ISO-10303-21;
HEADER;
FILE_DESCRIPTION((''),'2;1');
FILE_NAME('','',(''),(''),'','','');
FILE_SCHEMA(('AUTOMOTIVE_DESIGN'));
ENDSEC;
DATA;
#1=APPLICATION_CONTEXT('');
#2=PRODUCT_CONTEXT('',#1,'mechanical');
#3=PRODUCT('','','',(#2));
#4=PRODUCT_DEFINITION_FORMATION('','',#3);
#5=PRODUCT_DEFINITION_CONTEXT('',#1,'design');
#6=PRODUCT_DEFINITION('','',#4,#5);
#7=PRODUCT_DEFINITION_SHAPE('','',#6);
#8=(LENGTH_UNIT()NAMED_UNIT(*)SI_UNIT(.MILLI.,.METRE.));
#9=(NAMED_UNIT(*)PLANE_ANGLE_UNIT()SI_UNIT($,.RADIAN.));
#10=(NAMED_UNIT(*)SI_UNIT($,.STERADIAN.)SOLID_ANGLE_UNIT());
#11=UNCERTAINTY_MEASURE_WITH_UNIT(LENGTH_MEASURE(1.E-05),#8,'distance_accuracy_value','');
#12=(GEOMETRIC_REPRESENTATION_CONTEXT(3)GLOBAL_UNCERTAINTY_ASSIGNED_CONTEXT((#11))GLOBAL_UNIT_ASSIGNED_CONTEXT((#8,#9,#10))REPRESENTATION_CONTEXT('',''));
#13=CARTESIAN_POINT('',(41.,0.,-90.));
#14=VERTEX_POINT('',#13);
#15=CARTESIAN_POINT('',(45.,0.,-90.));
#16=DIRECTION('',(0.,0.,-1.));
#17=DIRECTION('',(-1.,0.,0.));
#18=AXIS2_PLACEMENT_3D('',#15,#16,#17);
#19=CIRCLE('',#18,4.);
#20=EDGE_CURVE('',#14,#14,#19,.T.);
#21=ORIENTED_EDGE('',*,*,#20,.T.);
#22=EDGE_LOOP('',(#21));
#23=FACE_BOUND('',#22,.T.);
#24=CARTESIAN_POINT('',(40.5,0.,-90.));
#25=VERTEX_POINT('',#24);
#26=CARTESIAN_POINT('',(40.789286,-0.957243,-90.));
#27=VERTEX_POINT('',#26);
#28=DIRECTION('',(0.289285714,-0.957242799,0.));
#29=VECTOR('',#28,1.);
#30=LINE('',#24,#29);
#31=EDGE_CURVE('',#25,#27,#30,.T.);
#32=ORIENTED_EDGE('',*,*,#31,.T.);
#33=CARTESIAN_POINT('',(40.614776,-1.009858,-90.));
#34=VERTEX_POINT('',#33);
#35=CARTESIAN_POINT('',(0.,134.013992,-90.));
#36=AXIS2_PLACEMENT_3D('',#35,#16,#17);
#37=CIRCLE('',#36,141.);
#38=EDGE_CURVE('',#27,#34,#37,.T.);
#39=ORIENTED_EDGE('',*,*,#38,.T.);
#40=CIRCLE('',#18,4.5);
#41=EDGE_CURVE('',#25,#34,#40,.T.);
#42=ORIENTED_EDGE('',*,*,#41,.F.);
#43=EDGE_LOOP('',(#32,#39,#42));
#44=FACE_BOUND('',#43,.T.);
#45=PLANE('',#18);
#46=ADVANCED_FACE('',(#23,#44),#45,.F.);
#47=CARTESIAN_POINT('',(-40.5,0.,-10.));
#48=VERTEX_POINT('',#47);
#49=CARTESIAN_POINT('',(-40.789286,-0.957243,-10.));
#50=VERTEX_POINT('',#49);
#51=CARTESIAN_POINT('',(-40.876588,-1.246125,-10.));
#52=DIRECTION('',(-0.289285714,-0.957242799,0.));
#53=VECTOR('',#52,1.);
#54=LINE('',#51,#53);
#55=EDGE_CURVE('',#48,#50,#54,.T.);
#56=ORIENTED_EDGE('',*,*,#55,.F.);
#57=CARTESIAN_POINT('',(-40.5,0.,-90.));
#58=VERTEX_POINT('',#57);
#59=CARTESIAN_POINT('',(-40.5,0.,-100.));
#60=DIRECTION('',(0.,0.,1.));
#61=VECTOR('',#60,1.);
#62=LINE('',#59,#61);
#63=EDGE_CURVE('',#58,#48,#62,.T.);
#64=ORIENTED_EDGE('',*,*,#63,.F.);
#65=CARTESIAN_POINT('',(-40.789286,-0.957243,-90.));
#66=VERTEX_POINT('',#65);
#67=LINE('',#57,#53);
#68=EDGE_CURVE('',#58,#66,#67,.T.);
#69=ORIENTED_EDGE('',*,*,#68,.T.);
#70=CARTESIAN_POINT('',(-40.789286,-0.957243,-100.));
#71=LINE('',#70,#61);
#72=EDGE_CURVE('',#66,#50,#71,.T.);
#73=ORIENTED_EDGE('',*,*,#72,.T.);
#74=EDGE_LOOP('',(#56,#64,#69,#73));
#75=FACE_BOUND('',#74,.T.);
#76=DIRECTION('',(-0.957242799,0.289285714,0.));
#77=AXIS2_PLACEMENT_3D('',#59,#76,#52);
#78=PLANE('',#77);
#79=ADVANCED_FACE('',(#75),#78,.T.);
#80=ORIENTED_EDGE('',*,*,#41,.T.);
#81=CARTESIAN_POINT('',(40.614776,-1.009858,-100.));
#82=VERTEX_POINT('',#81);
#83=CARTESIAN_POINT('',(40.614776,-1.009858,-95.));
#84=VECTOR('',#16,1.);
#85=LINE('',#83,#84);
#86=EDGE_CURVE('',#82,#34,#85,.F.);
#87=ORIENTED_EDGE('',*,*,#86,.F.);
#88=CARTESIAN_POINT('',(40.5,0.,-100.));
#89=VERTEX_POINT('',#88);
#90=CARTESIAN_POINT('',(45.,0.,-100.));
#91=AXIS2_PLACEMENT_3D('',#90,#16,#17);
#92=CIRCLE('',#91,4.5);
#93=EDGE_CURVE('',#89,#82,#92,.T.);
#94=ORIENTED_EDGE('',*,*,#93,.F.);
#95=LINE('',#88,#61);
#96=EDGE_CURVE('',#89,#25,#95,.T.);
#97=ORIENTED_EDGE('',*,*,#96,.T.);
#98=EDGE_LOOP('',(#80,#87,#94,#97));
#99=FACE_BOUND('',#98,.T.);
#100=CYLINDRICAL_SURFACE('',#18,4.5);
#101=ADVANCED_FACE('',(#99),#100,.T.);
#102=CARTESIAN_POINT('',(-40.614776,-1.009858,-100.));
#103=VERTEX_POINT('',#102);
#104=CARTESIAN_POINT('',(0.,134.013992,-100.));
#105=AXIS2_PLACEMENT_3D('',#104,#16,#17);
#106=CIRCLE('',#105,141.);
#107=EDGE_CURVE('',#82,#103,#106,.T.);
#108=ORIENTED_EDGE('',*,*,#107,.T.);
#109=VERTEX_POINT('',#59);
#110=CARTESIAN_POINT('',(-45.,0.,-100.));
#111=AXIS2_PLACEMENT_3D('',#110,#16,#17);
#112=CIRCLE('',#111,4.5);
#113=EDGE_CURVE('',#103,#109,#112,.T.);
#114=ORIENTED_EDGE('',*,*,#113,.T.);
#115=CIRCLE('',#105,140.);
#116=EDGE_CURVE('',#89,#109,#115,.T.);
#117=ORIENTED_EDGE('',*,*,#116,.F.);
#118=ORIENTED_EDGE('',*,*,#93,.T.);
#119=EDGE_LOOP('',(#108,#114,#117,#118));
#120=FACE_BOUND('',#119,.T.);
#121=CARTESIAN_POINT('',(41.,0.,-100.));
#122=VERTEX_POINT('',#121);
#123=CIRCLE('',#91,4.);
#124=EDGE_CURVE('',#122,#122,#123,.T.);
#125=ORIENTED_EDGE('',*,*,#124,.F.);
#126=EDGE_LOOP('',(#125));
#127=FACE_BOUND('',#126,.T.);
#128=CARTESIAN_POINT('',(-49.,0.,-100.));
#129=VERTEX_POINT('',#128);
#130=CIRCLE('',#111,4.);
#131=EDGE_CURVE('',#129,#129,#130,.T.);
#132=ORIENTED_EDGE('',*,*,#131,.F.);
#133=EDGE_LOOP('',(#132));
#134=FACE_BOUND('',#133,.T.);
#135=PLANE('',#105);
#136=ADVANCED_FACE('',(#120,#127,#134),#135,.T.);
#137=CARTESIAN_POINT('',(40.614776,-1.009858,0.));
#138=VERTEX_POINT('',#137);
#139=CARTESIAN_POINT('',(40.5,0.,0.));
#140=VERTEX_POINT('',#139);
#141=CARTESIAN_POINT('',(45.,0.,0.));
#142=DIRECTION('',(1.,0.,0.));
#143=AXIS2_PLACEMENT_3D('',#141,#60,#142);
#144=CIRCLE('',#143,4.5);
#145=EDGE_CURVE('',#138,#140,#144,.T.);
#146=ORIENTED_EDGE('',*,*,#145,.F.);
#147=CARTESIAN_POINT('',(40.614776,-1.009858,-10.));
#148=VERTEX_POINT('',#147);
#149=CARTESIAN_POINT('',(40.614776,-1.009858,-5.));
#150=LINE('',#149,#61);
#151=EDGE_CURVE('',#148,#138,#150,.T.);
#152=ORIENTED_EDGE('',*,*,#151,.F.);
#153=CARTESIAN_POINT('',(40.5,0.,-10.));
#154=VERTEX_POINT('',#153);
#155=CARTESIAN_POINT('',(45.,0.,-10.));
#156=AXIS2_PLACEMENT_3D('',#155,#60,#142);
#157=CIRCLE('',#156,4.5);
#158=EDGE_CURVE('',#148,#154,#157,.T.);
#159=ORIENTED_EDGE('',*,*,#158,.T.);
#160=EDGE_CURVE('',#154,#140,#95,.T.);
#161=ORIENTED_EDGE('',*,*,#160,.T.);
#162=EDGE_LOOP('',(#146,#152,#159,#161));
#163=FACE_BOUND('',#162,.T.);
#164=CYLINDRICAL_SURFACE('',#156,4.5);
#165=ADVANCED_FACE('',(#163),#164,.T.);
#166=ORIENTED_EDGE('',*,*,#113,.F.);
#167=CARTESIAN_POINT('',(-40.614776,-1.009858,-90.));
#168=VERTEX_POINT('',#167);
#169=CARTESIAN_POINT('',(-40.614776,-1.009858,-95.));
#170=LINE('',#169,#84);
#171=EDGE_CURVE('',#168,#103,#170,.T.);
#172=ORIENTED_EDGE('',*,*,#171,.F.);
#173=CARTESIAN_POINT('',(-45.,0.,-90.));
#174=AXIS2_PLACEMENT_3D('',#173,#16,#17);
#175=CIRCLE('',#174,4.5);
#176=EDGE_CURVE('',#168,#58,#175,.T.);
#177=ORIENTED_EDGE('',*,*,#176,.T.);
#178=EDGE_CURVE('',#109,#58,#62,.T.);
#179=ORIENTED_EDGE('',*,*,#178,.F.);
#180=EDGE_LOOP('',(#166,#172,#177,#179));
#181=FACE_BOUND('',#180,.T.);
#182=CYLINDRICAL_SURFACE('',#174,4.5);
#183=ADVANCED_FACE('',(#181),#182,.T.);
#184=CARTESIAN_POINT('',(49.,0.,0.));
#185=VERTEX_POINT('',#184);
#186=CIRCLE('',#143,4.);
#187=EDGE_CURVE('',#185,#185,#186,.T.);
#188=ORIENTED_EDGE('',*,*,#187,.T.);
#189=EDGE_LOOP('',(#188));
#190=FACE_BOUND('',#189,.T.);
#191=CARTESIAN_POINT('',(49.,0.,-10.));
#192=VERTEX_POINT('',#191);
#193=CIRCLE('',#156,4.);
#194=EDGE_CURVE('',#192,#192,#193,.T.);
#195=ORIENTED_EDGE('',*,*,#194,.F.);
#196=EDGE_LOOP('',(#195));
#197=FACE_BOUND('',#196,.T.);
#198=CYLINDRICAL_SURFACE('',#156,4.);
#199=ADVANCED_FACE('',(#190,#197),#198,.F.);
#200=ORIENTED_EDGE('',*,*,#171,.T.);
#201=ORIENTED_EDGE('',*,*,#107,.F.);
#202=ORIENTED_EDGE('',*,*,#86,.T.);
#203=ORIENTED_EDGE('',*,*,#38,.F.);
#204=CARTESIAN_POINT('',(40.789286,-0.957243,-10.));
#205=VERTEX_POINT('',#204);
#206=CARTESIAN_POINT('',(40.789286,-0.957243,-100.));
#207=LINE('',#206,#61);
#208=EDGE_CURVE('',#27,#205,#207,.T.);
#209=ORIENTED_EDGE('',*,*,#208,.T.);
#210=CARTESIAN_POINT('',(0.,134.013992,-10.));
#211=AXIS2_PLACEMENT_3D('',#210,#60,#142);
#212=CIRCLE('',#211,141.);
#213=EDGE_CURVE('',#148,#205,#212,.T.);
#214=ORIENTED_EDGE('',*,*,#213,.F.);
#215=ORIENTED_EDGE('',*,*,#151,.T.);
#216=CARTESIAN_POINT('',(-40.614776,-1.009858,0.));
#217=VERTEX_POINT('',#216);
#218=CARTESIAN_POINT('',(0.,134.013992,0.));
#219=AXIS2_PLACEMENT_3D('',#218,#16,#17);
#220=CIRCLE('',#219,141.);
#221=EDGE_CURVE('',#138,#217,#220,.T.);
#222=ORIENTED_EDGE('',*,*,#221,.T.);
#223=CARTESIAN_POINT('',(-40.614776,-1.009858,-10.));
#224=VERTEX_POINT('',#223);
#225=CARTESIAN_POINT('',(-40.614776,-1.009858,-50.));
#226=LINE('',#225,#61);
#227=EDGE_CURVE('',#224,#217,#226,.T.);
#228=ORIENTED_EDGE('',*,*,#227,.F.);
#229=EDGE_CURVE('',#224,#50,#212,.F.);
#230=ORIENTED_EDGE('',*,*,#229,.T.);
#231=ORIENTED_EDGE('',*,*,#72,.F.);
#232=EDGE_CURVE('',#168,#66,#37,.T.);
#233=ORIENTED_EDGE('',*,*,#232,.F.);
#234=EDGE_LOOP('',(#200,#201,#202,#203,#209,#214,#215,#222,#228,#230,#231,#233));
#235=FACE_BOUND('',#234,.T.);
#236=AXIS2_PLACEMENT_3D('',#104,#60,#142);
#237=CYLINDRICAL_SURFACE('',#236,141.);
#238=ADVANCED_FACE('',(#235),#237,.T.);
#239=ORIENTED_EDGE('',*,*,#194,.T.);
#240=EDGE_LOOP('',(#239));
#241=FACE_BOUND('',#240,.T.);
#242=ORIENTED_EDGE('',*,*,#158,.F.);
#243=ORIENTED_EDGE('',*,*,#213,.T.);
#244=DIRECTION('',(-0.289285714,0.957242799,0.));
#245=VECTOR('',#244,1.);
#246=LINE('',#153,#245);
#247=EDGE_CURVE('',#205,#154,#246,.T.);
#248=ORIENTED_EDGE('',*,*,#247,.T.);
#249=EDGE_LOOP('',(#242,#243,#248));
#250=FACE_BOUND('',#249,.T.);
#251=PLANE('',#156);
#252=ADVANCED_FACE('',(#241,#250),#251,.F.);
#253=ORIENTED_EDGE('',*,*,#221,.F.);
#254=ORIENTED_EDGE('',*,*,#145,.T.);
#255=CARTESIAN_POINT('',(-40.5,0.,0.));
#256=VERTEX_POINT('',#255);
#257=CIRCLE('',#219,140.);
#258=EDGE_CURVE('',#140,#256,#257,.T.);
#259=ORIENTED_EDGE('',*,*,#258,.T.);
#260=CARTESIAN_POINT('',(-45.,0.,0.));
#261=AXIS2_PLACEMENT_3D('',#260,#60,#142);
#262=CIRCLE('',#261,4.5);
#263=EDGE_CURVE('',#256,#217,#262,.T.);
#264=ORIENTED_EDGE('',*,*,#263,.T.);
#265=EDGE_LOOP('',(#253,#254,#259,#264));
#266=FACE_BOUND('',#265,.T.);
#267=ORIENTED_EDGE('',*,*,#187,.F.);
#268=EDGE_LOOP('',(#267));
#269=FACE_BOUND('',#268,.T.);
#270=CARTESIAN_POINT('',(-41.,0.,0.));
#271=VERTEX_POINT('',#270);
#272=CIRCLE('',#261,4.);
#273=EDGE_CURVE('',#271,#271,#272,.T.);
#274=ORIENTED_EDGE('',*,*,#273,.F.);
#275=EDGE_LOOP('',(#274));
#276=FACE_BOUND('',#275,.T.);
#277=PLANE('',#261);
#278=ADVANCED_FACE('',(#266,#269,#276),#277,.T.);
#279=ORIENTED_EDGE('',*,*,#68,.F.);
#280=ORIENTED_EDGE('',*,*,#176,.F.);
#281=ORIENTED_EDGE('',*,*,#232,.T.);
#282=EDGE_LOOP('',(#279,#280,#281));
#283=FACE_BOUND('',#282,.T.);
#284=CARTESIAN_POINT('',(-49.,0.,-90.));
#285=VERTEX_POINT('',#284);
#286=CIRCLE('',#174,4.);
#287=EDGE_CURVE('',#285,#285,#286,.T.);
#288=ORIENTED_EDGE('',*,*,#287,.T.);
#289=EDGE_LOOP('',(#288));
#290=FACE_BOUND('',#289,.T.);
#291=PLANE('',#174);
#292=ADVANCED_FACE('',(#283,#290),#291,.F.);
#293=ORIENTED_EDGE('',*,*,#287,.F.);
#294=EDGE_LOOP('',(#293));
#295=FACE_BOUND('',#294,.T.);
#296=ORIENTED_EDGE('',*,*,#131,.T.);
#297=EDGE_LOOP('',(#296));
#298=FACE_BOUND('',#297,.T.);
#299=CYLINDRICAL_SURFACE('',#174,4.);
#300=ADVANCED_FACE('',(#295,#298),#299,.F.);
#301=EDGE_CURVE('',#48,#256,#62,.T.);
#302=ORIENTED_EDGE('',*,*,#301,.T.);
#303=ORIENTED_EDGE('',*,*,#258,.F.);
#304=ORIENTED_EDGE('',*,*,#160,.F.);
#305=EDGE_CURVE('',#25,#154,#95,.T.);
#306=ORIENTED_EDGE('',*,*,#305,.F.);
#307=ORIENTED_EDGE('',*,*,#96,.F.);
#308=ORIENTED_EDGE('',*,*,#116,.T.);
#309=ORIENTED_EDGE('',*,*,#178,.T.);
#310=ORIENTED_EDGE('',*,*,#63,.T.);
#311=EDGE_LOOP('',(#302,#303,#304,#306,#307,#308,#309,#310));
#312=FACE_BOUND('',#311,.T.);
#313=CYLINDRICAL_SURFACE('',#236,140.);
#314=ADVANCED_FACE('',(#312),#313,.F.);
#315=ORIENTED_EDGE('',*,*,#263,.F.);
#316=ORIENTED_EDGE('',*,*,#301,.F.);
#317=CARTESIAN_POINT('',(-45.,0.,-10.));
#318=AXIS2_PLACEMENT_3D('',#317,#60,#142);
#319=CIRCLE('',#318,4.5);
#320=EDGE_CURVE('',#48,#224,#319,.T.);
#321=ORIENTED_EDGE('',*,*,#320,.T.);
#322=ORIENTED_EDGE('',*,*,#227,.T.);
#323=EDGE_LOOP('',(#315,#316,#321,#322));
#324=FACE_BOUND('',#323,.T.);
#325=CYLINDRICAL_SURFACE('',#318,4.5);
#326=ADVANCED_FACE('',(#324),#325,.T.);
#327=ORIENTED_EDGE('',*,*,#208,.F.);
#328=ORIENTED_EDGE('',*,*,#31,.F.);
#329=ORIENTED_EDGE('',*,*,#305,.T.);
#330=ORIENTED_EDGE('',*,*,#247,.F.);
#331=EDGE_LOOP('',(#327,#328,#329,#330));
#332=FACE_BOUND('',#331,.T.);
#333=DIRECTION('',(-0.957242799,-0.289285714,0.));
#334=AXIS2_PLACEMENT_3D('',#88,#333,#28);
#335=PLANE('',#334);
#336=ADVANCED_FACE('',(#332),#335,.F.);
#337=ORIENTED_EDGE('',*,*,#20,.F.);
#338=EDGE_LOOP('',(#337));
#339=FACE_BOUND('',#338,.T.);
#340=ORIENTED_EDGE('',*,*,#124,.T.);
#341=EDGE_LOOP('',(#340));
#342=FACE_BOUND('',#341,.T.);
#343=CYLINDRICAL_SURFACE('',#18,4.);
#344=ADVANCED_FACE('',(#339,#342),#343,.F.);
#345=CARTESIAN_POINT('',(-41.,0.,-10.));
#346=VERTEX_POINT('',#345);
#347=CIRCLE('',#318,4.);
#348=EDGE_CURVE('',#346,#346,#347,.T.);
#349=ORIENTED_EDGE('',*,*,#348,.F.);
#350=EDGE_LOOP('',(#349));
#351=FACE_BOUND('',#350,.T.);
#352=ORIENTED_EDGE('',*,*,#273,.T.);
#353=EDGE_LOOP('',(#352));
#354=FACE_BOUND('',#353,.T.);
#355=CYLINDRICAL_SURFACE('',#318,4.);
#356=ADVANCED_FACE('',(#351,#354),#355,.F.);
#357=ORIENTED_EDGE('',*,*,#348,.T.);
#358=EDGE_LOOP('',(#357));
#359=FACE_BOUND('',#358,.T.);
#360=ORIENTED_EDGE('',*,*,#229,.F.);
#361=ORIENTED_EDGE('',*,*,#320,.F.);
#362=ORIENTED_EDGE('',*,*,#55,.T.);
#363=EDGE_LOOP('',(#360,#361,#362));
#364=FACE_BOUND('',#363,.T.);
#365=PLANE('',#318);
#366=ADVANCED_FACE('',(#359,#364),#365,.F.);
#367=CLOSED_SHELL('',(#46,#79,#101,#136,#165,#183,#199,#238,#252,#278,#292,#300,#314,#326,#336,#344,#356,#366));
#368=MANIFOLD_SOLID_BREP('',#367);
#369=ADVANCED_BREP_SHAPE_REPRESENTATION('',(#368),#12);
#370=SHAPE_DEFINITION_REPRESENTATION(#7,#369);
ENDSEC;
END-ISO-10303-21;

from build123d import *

# Parameters (mm, degrees)
SKETCH1_R             = 4.5
SKETCH1_R_2           = 4
BOSS_EXTRUDE1_DEPTH   = 10
BOSS_EXTRUDE1_2_DEPTH = 10
BOSS_EXTRUDE4_DEPTH   = 100
BOSS_EXTRUDE5_START   = -10
SKETCH4_R             = 4.5
SKETCH4_R_2           = 4
BOSS_EXTRUDE5_DEPTH   = 10


with BuildPart() as part:
    # Sketch1 → Boss-Extrude1 (new body)
    with BuildSketch(Plane.XY):
        with Locations((-45, 0)):
            Circle(SKETCH1_R)
        with Locations((-45, 0)):
            Circle(SKETCH1_R_2, mode=Mode.SUBTRACT)
    extrude(amount=-BOSS_EXTRUDE1_DEPTH)



with BuildPart() as body_2:
    # Sketch1 → Boss-Extrude1 2 (new body)
    with BuildSketch(Plane.XY):
        with Locations((45, 0)):
            Circle(SKETCH1_R)
        with Locations((45, 0)):
            Circle(SKETCH1_R_2, mode=Mode.SUBTRACT)
    extrude(amount=-BOSS_EXTRUDE1_2_DEPTH)


with BuildPart() as part_1:
    add(part.part)

    add(body_2.part)  # Boss-Extrude4 merges body 2
    # Sketch2 → Boss-Extrude4 (add)
    with BuildSketch(Plane.XY):
        with BuildLine():
            Line((-40.5, 0), (-40.789285714, -0.957242799))
            ThreePointArc((-40.789285714, -0.957242799), (0, -6.986008193), (40.789285714, -0.957242799))
            Line((40.789285714, -0.957242799), (40.5, 0))
            ThreePointArc((40.5, 0), (0, -5.986008193), (-40.5, 0))
        make_face()
    extrude(amount=-BOSS_EXTRUDE4_DEPTH)

    # Sketch4 → Boss-Extrude5 (add)
    # profile 1 of 2: a face of its own
    with BuildSketch(Plane(origin=(0, 0, -100), x_dir=(-1, 0, 0), z_dir=(0, 0, -1)).offset(BOSS_EXTRUDE5_START)):
        with Locations((45, 0)):
            Circle(SKETCH4_R)
        with Locations(Location((45, 0, 0), (0, 0, 180))):
            Circle(SKETCH4_R_2, mode=Mode.SUBTRACT)
    # profile 2 of 2: a face of its own
    with BuildSketch(Plane(origin=(0, 0, -100), x_dir=(-1, 0, 0), z_dir=(0, 0, -1)).offset(BOSS_EXTRUDE5_START)):
        with Locations((-45, 0)):
            Circle(SKETCH4_R)
        with Locations(Location((-45, 0, 0), (0, 0, 180))):
            Circle(SKETCH4_R_2, mode=Mode.SUBTRACT)
    extrude(amount=BOSS_EXTRUDE5_DEPTH)


solid = part_1.part
